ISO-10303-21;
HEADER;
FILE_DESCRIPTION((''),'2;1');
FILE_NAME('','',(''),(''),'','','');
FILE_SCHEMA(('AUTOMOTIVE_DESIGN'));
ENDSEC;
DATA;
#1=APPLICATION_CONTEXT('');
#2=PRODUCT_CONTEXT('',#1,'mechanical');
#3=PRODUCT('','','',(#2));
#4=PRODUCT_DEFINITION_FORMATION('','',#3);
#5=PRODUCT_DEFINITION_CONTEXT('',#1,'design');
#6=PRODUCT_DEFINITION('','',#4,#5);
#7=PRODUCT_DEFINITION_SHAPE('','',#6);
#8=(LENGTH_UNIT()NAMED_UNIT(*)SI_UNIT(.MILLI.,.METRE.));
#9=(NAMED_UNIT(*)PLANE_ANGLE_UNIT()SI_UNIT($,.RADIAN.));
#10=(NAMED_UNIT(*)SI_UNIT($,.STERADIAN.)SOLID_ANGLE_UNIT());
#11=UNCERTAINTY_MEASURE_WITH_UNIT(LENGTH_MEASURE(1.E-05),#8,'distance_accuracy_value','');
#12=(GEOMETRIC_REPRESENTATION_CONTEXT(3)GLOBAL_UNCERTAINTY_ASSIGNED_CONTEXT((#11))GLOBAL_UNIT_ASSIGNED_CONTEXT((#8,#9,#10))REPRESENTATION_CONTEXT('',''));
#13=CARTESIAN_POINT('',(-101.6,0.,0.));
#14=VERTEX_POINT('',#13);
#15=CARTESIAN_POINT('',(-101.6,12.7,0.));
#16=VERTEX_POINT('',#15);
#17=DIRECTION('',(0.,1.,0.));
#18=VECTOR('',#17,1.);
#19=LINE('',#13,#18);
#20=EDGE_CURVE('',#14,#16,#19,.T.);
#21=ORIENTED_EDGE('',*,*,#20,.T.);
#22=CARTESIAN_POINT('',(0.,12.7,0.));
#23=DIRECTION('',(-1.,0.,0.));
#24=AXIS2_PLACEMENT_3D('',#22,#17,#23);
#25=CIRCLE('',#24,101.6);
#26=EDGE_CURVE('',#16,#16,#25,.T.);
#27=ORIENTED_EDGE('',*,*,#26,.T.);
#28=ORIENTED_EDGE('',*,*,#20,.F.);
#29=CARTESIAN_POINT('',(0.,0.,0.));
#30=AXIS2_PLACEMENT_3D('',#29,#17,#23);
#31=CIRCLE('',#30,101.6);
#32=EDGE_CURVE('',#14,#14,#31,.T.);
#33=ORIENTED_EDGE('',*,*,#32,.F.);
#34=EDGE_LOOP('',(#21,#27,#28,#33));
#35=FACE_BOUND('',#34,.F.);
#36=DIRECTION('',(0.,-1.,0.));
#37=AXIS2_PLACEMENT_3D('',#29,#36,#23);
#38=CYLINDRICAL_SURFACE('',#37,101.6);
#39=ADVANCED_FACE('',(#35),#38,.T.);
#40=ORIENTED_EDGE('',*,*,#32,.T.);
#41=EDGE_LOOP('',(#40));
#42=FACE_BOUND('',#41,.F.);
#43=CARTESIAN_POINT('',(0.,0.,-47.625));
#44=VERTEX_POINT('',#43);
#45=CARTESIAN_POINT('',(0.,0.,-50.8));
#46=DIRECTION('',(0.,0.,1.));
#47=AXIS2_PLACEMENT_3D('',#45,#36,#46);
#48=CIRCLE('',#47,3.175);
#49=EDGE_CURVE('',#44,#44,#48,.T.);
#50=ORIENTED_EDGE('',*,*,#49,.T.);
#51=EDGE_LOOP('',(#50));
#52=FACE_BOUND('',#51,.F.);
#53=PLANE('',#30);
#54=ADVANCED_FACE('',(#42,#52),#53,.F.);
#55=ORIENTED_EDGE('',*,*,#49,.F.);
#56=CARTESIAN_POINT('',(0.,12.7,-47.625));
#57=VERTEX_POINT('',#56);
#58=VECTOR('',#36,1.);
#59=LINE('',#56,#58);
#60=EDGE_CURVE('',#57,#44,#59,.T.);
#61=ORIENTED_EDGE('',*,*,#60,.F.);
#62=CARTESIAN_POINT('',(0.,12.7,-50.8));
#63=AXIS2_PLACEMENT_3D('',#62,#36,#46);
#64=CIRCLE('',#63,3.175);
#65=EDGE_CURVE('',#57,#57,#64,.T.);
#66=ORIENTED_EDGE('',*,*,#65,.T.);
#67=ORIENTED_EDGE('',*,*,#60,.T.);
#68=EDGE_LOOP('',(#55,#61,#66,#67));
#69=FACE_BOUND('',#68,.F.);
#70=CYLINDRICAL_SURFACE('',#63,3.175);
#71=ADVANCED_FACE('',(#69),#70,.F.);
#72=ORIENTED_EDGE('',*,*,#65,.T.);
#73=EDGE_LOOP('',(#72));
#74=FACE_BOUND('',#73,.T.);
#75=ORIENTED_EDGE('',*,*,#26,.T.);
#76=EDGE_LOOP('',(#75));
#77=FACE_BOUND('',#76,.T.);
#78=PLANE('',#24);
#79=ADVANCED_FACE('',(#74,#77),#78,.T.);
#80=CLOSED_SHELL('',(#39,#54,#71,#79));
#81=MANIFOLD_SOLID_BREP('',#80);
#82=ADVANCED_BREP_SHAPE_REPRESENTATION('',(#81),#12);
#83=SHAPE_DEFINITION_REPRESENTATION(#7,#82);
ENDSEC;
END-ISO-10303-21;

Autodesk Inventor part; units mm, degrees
ref_plane "YZ Plane" through (0, 0, 0) normal (1, 0, 0) x (0, 1, 0)
ref_plane "XZ Plane" through (0, 0, 0) normal (0, 1, 0) x (-1, 0, 0)
ref_plane "XY Plane" through (0, 0, 0) normal (0, 0, 1) x (1, 0, 0)
sketch "Sketch1" plane through (0, 0, 0) normal (0, 1, 0) x (-1, 0, 0)
  circle A0 centre (0, 0) radius 101.6
  dimension "d0" = 203.2
extrude "Extrusion1" add sketch "Sketch1" along normal blind 12.7
sketch "Sketch2" plane through (0, 12.7, 0) normal (0, 1, 0) x (1, 0, 0)
  circle A0 centre (0, 50.8) radius 5.629
hole "Hole1" at (0, 12.7, -50.8) direction (0, -1, 0) diameter 6.35 end through all
properties part number "splashBaseDisc" material "Wood (Cherry)"
